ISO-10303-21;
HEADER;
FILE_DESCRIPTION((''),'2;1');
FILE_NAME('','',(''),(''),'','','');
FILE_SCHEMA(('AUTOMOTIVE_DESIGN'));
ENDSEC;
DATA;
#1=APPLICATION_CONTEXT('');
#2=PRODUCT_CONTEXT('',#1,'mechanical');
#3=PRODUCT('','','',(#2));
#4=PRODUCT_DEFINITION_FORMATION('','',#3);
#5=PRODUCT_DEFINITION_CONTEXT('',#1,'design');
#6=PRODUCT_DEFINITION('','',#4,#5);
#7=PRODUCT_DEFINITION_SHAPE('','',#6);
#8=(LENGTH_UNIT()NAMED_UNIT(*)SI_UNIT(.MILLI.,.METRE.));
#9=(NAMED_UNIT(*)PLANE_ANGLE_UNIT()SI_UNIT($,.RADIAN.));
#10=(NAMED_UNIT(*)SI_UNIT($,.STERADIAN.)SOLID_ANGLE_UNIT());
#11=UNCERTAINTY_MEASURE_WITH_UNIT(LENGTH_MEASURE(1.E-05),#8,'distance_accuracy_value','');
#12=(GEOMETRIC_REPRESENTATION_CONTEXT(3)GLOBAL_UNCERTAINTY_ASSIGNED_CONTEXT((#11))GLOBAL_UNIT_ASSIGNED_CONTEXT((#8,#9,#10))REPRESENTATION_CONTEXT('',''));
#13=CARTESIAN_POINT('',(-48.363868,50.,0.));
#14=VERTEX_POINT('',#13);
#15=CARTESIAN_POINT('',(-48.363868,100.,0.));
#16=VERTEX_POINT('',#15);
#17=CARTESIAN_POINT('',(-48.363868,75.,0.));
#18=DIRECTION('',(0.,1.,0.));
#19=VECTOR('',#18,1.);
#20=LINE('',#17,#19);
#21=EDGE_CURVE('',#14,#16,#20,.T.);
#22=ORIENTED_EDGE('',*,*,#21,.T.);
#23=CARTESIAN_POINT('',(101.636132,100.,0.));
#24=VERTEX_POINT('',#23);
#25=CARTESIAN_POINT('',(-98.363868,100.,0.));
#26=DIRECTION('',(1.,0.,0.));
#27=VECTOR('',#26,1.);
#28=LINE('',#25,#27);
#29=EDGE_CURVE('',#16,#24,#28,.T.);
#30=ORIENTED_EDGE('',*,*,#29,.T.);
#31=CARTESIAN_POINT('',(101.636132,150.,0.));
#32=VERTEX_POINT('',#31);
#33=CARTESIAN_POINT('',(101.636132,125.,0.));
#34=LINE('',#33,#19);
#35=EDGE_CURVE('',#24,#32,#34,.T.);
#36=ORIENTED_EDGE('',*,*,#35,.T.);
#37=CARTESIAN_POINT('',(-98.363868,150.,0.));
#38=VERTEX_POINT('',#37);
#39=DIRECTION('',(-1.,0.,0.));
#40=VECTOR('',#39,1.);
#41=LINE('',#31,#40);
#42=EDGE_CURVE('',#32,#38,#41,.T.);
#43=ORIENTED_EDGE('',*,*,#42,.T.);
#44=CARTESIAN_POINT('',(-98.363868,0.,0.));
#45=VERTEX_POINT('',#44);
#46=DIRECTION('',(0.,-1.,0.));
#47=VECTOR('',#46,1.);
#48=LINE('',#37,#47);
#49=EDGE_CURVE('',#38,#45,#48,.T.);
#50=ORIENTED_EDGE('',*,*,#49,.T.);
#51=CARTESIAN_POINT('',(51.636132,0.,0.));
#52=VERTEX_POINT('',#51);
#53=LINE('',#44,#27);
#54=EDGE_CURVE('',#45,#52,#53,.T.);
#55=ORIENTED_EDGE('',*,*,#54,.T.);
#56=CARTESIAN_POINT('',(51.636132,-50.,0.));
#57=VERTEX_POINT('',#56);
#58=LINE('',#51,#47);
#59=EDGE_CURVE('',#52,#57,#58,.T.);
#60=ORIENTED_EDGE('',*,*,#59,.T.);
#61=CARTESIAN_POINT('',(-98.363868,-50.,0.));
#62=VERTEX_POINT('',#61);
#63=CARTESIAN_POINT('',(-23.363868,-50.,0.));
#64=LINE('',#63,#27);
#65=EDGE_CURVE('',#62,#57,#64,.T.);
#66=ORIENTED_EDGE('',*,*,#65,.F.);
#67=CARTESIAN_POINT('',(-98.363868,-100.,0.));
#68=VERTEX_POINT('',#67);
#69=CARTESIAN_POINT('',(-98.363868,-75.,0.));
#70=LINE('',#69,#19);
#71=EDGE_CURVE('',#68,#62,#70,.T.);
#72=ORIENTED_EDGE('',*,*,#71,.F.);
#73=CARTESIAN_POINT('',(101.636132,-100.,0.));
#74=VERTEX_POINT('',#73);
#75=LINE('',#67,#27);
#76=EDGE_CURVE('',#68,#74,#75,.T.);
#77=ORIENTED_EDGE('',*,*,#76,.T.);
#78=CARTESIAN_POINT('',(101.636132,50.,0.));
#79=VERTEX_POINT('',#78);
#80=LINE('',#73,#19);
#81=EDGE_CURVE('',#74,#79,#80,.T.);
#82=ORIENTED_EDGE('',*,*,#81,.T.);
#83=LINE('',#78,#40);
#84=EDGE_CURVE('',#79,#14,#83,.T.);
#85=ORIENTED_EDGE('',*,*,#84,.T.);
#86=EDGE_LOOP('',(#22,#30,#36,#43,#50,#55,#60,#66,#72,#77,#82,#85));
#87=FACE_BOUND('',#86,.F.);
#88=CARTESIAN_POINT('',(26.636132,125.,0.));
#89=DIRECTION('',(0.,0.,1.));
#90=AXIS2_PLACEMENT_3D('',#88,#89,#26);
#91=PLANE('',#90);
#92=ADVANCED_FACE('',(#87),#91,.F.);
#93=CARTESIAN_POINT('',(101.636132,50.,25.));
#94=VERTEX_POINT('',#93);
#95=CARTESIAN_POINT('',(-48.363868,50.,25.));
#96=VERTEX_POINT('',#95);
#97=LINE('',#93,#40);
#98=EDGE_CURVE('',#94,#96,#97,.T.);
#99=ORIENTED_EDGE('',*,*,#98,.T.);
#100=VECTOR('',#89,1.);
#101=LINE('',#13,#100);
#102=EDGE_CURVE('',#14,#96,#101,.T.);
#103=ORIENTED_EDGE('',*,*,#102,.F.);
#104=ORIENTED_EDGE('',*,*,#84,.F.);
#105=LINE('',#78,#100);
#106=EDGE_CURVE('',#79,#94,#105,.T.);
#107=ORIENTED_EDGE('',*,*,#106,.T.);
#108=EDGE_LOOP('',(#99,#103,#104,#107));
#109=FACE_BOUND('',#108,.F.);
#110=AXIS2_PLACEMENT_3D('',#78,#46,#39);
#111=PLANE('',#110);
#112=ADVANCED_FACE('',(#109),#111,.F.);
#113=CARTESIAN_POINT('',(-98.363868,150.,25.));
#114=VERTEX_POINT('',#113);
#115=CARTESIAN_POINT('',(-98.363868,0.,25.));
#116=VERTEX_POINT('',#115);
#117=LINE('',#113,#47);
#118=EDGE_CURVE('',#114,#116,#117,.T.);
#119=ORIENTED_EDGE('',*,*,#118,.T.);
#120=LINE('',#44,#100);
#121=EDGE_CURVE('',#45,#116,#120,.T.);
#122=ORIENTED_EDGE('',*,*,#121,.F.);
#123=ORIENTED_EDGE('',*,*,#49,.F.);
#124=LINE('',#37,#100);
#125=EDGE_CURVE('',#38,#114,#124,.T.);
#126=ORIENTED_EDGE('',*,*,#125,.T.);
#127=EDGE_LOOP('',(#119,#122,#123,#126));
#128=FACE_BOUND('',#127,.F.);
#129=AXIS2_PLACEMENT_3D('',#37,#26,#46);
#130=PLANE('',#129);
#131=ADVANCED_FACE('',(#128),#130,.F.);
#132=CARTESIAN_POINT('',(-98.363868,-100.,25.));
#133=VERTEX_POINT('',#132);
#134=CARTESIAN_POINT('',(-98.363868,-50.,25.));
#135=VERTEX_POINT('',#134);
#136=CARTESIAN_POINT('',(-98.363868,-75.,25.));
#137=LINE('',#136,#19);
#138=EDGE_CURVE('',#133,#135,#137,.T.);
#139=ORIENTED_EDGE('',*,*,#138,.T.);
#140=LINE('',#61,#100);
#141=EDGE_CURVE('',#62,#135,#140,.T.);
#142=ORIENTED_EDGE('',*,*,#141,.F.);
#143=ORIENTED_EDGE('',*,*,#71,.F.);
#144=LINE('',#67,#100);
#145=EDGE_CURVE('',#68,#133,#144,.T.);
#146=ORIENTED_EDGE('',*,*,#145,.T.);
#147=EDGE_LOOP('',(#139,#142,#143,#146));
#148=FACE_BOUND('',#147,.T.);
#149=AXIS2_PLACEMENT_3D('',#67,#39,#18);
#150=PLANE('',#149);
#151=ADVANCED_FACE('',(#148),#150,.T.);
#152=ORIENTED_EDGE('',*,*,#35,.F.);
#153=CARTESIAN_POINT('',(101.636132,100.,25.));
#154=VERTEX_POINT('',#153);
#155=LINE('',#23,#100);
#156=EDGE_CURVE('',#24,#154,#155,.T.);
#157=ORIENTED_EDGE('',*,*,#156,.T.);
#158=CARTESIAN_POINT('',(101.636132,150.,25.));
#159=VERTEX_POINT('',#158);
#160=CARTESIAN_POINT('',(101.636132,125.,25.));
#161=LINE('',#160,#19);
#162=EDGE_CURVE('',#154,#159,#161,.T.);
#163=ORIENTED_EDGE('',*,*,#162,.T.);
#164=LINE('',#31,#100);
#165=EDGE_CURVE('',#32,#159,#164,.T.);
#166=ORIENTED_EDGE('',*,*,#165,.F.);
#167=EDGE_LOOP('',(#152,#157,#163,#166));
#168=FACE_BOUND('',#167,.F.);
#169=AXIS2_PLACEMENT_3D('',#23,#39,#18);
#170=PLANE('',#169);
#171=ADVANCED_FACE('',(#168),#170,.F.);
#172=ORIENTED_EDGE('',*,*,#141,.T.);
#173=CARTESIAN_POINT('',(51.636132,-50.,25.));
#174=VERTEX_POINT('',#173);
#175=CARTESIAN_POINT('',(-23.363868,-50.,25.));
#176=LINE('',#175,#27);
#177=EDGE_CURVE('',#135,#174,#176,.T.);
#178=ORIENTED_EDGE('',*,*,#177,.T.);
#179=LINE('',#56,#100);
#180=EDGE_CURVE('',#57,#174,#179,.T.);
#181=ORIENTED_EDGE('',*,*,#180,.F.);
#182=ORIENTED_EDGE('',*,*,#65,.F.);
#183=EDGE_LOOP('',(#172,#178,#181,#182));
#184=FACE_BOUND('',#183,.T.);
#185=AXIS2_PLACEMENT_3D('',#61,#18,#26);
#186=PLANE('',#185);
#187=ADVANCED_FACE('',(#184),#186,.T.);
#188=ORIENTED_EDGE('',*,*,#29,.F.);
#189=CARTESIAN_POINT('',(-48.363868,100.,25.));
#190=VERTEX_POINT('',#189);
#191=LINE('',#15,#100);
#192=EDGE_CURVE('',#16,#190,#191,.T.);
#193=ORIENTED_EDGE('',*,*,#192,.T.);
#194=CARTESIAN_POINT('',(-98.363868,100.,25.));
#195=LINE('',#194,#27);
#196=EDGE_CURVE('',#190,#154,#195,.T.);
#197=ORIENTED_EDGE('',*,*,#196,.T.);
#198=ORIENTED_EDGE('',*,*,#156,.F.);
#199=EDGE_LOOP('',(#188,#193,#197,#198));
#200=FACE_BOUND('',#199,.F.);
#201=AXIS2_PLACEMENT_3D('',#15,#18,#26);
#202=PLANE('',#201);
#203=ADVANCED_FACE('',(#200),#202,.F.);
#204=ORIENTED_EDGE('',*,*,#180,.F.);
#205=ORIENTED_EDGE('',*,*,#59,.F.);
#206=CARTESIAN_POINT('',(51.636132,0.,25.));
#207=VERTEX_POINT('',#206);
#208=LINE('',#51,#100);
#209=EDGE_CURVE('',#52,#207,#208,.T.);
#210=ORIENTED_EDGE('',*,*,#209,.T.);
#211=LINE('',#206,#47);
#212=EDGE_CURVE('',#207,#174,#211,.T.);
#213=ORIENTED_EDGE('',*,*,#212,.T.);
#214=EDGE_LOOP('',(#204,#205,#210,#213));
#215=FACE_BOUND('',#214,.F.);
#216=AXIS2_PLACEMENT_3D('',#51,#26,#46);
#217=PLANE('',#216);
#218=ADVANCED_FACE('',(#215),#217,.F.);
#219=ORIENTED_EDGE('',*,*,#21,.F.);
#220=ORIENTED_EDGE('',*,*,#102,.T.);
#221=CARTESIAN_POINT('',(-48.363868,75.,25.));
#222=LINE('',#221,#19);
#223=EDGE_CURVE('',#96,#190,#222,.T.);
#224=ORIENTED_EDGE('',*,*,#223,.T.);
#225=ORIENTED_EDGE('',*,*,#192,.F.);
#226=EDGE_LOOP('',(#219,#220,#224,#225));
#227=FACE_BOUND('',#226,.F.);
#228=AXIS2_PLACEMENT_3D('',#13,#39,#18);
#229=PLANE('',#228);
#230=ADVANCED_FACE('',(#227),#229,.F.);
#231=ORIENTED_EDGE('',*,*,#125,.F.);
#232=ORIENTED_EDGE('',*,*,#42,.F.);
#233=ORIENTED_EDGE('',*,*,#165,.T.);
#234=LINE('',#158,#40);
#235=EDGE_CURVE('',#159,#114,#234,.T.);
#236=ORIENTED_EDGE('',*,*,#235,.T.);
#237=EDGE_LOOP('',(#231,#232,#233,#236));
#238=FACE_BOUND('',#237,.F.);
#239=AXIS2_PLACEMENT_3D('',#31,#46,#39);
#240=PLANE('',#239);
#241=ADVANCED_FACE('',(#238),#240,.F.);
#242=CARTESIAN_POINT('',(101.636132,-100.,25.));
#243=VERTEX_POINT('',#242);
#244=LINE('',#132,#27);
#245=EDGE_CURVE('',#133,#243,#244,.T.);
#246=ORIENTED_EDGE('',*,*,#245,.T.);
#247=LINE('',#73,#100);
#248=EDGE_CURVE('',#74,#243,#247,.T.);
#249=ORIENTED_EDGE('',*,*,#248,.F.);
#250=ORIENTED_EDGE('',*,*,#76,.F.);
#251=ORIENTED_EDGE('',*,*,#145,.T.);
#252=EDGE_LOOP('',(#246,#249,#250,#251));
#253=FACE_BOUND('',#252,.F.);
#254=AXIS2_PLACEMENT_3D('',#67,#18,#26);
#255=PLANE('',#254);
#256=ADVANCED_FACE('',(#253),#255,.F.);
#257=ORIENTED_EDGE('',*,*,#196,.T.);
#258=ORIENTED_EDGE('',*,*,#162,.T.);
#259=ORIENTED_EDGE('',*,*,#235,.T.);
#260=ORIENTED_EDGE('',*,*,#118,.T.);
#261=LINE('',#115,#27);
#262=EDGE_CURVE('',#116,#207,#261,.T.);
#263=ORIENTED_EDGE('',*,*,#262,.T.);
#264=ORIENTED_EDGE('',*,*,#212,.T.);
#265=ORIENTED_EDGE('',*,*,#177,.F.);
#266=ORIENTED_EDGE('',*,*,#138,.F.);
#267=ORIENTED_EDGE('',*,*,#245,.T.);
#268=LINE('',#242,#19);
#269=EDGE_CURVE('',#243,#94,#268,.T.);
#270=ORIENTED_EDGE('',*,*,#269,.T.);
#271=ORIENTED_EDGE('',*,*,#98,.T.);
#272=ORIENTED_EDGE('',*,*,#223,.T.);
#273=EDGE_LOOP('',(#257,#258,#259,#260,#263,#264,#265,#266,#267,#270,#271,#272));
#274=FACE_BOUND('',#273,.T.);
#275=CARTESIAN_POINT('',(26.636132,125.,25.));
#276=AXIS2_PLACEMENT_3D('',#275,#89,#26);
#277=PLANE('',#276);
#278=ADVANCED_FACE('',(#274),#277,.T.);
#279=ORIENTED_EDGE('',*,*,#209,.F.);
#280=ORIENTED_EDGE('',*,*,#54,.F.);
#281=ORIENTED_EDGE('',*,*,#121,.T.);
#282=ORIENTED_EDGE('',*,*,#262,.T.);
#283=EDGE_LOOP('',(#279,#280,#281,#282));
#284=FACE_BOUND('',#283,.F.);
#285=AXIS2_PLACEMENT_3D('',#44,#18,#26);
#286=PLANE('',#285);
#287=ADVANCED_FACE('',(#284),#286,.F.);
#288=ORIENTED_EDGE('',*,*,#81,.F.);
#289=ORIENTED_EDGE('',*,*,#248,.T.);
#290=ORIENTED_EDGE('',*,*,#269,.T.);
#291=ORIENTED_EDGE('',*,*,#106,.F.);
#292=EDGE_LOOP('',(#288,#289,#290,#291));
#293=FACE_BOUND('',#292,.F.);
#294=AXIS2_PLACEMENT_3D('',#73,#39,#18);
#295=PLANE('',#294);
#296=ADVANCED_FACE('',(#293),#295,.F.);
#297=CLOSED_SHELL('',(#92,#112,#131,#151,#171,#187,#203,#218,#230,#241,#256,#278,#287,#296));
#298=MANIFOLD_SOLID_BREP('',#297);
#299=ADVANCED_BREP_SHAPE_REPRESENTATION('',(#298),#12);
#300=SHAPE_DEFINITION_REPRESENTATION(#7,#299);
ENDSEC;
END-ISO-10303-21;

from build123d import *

# Parameters (mm, degrees)
F0_W     = 150
F0_H     = 50
F0_W_2   = 50
F0_W_3   = 100
F1_DEPTH = 25


with BuildPart() as f1:
    # F0 (on Top) → F1 (new body)
    with BuildSketch(Plane.XY):
        with Locations((26.636132, 125)):
            Rectangle(F0_W, F0_H)
        with Locations((-73.363868, 125)):
            Rectangle(F0_W_2, F0_H)
        with Locations((-73.363868, 75)):
            Rectangle(F0_W_2, F0_H)
        with Locations((1.636132, 25)):
            Rectangle(F0_W_3, F0_H)
        with Locations((-73.363868, 25)):
            Rectangle(F0_W_2, F0_H)
        with Locations((76.636132, 25)):
            Rectangle(F0_W_2, F0_H)
        with Locations((76.636132, -25)):
            Rectangle(F0_W_2, F0_H)
        with Locations((76.636132, -75)):
            Rectangle(F0_W_2, F0_H)
        with Locations((-23.363868, -75)):
            Rectangle(F0_W, F0_H)
    extrude(amount=F1_DEPTH)


solid = f1.part
